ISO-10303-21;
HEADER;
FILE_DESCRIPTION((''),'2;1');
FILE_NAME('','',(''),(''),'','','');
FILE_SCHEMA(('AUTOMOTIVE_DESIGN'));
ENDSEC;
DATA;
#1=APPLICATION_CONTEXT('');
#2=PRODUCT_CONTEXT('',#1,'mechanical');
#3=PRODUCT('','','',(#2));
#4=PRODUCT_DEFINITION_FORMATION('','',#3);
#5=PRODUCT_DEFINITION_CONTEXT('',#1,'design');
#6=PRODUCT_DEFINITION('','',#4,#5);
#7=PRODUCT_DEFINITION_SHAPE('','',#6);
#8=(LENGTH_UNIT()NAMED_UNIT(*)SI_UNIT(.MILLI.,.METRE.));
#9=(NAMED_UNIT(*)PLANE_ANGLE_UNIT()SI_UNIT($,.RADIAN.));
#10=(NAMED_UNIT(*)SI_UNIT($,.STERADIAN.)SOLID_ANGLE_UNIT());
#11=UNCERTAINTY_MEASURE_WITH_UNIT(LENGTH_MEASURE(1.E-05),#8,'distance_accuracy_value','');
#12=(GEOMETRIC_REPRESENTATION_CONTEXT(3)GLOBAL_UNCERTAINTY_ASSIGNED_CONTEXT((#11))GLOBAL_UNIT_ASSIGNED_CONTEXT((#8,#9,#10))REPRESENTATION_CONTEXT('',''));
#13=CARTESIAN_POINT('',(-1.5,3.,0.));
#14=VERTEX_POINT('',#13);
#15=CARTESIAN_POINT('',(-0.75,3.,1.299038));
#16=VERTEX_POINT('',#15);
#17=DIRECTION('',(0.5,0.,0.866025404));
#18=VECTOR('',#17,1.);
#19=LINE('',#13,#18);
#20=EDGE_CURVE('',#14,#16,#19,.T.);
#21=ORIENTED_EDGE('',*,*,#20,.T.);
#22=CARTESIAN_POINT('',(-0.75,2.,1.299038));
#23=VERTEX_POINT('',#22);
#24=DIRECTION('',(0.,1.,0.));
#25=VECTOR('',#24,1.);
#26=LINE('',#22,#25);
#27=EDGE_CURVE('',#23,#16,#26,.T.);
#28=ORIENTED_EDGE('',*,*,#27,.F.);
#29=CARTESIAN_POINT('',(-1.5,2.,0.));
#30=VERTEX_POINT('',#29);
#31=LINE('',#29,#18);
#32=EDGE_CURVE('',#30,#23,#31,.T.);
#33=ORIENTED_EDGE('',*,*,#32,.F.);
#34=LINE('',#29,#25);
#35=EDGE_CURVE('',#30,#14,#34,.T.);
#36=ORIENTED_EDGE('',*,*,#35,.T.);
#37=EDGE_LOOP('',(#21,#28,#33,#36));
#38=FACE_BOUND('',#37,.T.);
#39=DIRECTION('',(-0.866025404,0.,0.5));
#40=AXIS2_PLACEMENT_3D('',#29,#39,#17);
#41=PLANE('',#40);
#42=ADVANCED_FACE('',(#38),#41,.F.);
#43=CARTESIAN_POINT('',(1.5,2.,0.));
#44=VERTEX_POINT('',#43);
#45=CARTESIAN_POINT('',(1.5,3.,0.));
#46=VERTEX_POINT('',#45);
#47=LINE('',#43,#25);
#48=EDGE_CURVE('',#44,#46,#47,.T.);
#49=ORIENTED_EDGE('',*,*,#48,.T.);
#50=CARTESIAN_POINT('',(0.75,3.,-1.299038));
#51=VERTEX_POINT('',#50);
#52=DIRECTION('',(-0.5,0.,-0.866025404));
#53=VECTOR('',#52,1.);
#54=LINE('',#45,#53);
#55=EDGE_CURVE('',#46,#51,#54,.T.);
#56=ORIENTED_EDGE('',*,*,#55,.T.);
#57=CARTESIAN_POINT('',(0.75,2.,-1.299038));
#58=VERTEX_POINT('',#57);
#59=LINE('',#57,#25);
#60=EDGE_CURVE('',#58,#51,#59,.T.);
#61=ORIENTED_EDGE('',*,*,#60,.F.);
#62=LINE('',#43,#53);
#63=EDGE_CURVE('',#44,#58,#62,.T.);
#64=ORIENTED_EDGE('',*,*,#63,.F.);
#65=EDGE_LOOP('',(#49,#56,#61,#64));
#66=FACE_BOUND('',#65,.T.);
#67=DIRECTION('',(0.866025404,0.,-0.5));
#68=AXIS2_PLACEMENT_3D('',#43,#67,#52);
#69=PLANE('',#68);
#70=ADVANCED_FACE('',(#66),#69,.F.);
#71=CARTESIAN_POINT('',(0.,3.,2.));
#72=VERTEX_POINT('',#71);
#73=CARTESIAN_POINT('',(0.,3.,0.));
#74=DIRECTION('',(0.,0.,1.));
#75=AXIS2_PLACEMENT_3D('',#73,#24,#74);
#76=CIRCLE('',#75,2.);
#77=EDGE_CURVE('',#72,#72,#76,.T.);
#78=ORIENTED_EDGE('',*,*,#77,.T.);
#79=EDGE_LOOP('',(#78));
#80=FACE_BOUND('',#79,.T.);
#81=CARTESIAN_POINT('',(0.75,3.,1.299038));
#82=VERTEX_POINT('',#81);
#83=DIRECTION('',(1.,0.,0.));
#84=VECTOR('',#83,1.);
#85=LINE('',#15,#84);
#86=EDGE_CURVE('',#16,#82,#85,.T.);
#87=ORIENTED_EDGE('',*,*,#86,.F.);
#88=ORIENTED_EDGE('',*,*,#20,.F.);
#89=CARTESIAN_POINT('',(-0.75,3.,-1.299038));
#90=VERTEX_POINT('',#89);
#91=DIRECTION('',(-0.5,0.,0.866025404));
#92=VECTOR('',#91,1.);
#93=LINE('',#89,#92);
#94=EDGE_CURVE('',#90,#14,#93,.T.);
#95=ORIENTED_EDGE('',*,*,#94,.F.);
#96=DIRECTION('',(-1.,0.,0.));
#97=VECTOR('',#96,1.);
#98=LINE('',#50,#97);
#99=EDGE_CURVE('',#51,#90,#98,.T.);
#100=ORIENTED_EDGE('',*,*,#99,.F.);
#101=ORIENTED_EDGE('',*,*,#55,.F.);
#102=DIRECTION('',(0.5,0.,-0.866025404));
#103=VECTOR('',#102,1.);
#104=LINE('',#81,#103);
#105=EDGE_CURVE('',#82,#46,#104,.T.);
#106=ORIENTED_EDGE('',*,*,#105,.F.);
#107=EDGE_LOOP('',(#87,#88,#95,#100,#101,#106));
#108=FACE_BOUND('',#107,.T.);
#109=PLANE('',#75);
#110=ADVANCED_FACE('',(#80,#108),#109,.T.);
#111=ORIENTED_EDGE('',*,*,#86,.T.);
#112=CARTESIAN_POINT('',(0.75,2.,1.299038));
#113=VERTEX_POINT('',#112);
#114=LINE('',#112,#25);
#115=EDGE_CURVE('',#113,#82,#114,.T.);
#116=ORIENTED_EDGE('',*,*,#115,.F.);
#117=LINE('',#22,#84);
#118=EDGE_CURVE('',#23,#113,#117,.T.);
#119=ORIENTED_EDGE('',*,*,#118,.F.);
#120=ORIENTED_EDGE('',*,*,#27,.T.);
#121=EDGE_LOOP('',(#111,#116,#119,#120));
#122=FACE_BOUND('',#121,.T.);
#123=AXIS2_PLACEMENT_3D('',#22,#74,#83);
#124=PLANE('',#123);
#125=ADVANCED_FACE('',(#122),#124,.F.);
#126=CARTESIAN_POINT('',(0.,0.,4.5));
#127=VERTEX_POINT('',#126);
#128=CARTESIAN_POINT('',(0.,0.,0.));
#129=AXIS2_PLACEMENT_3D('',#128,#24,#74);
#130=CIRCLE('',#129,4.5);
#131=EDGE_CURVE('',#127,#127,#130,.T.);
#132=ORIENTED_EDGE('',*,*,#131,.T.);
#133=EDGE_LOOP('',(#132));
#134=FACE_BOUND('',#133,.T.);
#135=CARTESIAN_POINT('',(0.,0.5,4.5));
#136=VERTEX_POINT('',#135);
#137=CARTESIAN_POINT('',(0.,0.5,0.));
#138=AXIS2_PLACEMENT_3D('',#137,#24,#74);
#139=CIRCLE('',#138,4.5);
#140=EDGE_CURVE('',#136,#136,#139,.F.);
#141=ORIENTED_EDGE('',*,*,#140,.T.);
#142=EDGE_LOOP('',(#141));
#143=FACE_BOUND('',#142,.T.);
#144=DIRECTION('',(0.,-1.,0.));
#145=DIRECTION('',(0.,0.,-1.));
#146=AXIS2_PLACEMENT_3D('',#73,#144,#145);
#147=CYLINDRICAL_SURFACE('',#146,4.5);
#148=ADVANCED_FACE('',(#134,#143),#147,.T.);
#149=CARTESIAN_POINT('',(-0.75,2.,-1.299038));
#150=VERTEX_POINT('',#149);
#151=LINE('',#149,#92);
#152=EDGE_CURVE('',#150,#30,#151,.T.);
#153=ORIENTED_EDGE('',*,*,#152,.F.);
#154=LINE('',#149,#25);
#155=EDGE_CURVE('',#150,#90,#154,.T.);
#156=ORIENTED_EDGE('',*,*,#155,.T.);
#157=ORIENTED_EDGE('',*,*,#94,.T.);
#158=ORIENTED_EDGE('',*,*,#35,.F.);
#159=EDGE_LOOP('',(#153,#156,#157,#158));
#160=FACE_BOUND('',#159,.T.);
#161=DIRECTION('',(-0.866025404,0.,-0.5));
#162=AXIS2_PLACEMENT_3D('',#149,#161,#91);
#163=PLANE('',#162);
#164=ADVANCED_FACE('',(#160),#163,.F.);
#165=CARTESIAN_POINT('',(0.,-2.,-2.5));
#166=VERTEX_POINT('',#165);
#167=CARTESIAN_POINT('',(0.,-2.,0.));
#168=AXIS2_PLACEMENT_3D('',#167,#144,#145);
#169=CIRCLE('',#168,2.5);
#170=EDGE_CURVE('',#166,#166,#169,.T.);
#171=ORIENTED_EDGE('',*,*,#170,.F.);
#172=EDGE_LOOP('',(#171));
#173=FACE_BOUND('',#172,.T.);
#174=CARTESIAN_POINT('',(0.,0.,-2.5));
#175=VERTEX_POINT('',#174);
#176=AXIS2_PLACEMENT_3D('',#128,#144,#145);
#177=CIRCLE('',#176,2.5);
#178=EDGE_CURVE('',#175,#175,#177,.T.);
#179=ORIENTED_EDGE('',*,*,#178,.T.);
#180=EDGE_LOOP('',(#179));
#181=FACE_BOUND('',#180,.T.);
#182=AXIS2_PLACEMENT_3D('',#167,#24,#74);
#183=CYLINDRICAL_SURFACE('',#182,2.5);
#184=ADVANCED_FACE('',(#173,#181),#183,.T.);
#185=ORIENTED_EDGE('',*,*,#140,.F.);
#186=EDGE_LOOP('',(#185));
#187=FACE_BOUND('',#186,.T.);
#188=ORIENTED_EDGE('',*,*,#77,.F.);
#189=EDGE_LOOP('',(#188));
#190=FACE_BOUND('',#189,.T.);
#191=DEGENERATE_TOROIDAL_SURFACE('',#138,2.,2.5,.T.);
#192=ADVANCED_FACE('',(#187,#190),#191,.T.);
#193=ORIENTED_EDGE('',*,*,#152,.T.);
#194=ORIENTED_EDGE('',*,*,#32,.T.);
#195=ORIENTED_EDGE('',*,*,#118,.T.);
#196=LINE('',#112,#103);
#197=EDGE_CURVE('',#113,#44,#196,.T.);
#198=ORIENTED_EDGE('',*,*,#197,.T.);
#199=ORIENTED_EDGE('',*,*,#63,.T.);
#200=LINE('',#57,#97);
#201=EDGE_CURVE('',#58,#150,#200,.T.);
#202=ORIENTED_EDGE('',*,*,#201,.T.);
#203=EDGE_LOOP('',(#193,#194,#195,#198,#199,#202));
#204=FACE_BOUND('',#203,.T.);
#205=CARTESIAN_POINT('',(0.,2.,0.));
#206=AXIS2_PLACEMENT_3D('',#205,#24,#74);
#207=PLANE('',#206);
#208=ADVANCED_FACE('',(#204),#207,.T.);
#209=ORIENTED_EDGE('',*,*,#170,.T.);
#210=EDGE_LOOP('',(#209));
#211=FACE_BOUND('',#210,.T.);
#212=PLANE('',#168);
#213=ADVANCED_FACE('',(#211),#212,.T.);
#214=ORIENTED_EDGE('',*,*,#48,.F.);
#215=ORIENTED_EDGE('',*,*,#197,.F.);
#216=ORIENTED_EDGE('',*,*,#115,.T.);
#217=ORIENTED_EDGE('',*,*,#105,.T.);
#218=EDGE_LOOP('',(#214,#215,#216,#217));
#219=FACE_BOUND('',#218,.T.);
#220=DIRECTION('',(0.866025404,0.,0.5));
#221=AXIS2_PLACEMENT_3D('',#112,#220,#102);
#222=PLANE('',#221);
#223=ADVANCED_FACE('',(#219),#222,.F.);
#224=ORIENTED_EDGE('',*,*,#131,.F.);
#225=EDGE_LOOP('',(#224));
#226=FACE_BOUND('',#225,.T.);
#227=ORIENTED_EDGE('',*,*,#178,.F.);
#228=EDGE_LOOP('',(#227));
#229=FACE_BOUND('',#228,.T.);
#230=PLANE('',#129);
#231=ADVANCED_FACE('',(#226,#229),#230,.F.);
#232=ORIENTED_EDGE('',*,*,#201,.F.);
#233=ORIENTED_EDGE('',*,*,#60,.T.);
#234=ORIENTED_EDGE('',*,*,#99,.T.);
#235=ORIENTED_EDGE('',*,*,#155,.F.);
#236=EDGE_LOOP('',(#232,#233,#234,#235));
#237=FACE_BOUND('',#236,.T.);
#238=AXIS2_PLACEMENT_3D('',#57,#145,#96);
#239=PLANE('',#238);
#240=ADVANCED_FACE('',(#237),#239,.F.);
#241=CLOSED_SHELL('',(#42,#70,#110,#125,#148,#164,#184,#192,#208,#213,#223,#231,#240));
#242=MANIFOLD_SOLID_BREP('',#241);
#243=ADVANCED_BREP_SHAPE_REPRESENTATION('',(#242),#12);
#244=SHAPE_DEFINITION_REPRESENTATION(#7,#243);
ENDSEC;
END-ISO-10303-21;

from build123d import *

# Parameters (mm, degrees)
SKETCH1_R           = 4.5
BOSS_EXTRUDE1_DEPTH = 3
FILLET1_R           = 2.5
CUT_EXTRUDE1_DEPTH  = 1
SKETCH3_R           = 2.5
BOSS_EXTRUDE2_DEPTH = 2


with BuildPart() as part:
    # Sketch1 → Boss-Extrude1 (new body)
    with BuildSketch(Plane(origin=(0, 0, 0), x_dir=(1, 0, 0), z_dir=(0, 1, 0))):
        Circle(SKETCH1_R)
    extrude(amount=BOSS_EXTRUDE1_DEPTH)

    # Fillet1
    fillet1_edges = [part.edges().sort_by_distance(p)[0] for p in [
        (-4.5, 3, 0),
    ]]
    fillet(fillet1_edges, radius=FILLET1_R)

    # Sketch2 → Cut-Extrude1 (cut)
    with BuildSketch(Plane(origin=(0, 3, 0), x_dir=(1, 0, 0), z_dir=(0, 1, 0))):
        Polygon((1.5, 0), (0.75, 1.299038106), (-0.75, 1.299038106), (-1.5, 0), (-0.75, -1.299038106), (0.75, -1.299038106), align=None)
    extrude(amount=-CUT_EXTRUDE1_DEPTH, mode=Mode.SUBTRACT)

    # Sketch3 → Boss-Extrude2 (add)
    with BuildSketch(Plane(origin=(0, 0, 0), x_dir=(-1, 0, 0), z_dir=(0, -1, 0))):
        Circle(SKETCH3_R)
    extrude(amount=BOSS_EXTRUDE2_DEPTH)


solid = part.part
